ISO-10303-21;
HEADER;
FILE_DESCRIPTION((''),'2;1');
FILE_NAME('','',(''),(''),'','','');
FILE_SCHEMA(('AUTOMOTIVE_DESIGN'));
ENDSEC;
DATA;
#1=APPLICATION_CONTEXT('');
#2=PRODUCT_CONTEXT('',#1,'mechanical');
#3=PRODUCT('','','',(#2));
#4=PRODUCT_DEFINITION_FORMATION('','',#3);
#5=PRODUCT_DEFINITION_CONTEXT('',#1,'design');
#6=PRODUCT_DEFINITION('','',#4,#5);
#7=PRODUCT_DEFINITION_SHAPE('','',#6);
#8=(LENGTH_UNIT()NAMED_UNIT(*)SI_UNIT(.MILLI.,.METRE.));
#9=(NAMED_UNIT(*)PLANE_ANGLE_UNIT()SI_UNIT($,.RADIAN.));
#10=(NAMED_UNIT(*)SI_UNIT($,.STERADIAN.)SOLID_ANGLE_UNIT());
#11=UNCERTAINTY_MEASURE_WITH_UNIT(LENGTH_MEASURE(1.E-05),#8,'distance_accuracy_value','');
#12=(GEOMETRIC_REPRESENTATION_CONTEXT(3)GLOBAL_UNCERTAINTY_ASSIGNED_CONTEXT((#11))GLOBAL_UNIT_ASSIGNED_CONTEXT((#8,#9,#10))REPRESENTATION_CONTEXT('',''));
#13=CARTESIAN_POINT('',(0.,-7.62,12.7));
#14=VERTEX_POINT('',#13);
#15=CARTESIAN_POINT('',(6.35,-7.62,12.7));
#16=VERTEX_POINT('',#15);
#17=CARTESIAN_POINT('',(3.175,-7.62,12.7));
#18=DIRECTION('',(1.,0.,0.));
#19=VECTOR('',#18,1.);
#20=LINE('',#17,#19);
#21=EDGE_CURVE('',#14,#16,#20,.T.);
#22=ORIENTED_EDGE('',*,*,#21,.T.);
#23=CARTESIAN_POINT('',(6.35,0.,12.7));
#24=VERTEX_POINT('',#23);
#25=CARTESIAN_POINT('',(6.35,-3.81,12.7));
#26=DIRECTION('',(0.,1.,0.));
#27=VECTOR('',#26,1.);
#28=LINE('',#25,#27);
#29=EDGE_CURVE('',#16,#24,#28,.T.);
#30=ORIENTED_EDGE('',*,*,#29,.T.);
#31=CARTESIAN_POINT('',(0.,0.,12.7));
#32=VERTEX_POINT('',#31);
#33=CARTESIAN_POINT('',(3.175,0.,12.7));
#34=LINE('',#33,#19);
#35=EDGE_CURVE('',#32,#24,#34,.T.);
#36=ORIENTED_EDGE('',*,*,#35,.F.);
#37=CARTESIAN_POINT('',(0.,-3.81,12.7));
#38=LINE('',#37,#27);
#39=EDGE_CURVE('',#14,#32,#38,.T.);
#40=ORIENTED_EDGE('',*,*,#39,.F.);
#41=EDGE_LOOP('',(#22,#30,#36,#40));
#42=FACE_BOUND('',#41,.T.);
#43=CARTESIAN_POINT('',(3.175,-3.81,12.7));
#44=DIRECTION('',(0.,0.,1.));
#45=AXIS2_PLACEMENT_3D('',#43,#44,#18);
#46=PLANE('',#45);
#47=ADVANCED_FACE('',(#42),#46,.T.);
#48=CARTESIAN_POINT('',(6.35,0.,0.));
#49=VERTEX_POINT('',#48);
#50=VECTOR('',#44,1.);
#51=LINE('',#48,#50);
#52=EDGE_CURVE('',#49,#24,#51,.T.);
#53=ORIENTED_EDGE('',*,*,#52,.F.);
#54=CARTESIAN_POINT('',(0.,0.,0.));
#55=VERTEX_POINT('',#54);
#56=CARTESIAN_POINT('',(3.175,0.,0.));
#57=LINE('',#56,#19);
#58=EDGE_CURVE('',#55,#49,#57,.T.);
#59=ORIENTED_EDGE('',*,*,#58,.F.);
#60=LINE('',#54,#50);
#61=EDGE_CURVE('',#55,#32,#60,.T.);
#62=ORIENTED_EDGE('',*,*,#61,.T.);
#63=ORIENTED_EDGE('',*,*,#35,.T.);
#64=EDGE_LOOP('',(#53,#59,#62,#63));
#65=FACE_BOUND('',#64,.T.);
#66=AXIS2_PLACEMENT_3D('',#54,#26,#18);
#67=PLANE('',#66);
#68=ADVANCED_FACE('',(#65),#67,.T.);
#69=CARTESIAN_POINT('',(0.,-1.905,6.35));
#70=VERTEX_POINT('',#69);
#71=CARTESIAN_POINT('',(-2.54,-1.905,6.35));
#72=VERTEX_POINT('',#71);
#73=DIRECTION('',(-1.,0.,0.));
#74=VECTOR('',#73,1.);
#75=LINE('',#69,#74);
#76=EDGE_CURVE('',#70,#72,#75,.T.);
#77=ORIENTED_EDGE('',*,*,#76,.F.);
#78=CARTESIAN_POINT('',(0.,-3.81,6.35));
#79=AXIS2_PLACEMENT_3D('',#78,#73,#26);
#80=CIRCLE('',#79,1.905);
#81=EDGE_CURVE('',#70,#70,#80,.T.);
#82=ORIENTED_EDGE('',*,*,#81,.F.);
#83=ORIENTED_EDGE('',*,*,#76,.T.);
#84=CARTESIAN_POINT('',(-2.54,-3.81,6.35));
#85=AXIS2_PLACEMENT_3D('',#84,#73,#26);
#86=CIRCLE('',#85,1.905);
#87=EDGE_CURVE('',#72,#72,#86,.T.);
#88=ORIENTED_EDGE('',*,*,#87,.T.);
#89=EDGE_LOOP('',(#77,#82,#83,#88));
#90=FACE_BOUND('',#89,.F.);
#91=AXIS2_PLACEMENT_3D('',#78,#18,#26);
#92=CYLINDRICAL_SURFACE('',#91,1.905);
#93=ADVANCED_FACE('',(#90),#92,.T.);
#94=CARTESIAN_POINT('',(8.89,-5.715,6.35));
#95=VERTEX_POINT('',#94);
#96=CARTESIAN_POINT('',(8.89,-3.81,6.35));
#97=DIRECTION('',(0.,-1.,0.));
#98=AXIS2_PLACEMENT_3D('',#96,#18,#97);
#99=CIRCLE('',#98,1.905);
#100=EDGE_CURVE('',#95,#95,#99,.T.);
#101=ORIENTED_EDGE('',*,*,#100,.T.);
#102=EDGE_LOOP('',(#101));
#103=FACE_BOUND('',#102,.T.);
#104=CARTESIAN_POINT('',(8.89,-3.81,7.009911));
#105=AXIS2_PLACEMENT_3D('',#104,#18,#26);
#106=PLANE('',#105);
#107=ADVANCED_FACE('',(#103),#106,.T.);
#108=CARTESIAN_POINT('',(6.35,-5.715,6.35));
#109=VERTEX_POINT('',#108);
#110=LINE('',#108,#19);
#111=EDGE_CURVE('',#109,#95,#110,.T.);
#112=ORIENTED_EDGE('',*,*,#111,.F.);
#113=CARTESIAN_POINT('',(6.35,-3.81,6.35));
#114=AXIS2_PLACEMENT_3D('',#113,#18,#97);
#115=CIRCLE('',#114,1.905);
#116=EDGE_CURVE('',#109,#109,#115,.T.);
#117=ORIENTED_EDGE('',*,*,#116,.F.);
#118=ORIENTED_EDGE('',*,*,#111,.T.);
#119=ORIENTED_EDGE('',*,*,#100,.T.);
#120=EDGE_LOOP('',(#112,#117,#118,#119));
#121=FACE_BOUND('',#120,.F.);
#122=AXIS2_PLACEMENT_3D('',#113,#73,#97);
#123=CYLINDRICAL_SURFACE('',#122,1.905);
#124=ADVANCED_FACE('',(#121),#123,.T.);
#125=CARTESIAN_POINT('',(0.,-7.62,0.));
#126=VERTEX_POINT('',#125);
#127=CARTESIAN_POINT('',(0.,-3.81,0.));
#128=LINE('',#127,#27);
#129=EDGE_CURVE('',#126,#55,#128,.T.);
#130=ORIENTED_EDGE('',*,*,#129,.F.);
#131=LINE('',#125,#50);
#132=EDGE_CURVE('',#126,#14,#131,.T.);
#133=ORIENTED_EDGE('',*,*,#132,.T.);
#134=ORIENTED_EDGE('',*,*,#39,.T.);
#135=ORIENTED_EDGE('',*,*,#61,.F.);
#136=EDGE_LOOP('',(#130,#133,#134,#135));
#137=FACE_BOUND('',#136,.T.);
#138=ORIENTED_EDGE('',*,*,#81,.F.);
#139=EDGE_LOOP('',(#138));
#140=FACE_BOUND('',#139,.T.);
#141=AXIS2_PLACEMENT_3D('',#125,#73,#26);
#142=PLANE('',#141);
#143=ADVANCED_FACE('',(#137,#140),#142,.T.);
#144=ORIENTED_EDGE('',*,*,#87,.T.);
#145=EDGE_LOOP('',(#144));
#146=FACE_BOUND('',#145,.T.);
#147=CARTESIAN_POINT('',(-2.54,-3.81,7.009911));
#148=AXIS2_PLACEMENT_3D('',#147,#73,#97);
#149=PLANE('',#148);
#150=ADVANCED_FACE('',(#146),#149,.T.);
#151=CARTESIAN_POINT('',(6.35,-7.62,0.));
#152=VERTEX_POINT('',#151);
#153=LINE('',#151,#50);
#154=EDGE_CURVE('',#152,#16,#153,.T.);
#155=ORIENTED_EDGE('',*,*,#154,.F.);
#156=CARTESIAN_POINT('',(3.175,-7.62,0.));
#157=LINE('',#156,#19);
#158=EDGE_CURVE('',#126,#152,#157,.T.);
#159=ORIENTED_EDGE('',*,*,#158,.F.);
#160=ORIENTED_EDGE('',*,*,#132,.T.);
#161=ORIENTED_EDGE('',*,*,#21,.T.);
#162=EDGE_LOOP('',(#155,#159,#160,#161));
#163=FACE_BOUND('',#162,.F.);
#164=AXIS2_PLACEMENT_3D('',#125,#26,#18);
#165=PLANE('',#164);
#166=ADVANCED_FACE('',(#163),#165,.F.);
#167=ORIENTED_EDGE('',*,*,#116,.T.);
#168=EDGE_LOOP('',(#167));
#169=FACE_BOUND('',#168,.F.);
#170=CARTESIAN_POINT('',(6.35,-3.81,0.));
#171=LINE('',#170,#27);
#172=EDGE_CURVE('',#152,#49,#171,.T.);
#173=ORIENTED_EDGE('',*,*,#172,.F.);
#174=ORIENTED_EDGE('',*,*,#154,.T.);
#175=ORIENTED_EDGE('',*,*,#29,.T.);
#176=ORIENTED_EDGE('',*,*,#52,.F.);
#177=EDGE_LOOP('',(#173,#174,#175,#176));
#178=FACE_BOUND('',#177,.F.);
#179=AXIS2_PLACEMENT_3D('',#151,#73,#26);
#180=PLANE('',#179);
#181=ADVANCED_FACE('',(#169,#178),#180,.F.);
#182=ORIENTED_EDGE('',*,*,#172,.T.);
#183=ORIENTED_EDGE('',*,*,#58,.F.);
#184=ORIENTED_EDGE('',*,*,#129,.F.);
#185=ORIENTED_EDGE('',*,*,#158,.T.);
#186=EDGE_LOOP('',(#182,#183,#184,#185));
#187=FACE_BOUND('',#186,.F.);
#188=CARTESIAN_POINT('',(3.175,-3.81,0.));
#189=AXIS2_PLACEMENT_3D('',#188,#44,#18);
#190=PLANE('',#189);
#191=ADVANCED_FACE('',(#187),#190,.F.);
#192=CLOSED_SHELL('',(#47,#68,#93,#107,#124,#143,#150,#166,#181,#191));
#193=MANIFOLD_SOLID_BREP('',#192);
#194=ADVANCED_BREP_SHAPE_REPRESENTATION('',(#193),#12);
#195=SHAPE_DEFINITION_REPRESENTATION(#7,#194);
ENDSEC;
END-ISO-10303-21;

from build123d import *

# Parameters (mm, degrees)
F0_W     = 6.35
F0_H     = 7.62
F1_DEPTH = 12.7
F3_DEPTH = 2.54
F5_DEPTH = 2.54


with BuildPart() as f1:
    # F0 (on Top) → F1 (new body)
    with BuildSketch(Plane.XY):
        with Locations((3.175, -3.81)):
            Rectangle(F0_W, F0_H)
    extrude(amount=F1_DEPTH)

    # F2 (on face) → F3 (join)
    with BuildSketch(Plane.YZ.offset(6.35)):
        with BuildLine():
            Line((-5.715, 6.35), (-3.81, 6.35))
            Line((-3.81, 6.35), (-1.905, 6.35))
            ThreePointArc((-1.905, 6.35), (-3.81, 8.255), (-5.715, 6.35))
        make_face()
        with BuildLine():
            Line((-1.905, 6.35), (-3.81, 6.35))
            Line((-3.81, 6.35), (-5.715, 6.35))
            ThreePointArc((-5.715, 6.35), (-3.81, 4.445), (-1.905, 6.35))
        make_face()
    extrude(amount=F3_DEPTH)

    # F4 (on face) → F5 (join)
    with BuildSketch(Plane(origin=(0, 0, 0), x_dir=(0, -1, 0), z_dir=(-1, 0, 0))):
        with BuildLine():
            Line((1.905, 6.35), (3.81, 6.35))
            Line((3.81, 6.35), (5.715, 6.35))
            ThreePointArc((5.715, 6.35), (3.81, 8.255), (1.905, 6.35))
        make_face()
        with BuildLine():
            Line((5.715, 6.35), (3.81, 6.35))
            Line((3.81, 6.35), (1.905, 6.35))
            ThreePointArc((1.905, 6.35), (3.81, 4.445), (5.715, 6.35))
        make_face()
    extrude(amount=F5_DEPTH)


solid = f1.part
